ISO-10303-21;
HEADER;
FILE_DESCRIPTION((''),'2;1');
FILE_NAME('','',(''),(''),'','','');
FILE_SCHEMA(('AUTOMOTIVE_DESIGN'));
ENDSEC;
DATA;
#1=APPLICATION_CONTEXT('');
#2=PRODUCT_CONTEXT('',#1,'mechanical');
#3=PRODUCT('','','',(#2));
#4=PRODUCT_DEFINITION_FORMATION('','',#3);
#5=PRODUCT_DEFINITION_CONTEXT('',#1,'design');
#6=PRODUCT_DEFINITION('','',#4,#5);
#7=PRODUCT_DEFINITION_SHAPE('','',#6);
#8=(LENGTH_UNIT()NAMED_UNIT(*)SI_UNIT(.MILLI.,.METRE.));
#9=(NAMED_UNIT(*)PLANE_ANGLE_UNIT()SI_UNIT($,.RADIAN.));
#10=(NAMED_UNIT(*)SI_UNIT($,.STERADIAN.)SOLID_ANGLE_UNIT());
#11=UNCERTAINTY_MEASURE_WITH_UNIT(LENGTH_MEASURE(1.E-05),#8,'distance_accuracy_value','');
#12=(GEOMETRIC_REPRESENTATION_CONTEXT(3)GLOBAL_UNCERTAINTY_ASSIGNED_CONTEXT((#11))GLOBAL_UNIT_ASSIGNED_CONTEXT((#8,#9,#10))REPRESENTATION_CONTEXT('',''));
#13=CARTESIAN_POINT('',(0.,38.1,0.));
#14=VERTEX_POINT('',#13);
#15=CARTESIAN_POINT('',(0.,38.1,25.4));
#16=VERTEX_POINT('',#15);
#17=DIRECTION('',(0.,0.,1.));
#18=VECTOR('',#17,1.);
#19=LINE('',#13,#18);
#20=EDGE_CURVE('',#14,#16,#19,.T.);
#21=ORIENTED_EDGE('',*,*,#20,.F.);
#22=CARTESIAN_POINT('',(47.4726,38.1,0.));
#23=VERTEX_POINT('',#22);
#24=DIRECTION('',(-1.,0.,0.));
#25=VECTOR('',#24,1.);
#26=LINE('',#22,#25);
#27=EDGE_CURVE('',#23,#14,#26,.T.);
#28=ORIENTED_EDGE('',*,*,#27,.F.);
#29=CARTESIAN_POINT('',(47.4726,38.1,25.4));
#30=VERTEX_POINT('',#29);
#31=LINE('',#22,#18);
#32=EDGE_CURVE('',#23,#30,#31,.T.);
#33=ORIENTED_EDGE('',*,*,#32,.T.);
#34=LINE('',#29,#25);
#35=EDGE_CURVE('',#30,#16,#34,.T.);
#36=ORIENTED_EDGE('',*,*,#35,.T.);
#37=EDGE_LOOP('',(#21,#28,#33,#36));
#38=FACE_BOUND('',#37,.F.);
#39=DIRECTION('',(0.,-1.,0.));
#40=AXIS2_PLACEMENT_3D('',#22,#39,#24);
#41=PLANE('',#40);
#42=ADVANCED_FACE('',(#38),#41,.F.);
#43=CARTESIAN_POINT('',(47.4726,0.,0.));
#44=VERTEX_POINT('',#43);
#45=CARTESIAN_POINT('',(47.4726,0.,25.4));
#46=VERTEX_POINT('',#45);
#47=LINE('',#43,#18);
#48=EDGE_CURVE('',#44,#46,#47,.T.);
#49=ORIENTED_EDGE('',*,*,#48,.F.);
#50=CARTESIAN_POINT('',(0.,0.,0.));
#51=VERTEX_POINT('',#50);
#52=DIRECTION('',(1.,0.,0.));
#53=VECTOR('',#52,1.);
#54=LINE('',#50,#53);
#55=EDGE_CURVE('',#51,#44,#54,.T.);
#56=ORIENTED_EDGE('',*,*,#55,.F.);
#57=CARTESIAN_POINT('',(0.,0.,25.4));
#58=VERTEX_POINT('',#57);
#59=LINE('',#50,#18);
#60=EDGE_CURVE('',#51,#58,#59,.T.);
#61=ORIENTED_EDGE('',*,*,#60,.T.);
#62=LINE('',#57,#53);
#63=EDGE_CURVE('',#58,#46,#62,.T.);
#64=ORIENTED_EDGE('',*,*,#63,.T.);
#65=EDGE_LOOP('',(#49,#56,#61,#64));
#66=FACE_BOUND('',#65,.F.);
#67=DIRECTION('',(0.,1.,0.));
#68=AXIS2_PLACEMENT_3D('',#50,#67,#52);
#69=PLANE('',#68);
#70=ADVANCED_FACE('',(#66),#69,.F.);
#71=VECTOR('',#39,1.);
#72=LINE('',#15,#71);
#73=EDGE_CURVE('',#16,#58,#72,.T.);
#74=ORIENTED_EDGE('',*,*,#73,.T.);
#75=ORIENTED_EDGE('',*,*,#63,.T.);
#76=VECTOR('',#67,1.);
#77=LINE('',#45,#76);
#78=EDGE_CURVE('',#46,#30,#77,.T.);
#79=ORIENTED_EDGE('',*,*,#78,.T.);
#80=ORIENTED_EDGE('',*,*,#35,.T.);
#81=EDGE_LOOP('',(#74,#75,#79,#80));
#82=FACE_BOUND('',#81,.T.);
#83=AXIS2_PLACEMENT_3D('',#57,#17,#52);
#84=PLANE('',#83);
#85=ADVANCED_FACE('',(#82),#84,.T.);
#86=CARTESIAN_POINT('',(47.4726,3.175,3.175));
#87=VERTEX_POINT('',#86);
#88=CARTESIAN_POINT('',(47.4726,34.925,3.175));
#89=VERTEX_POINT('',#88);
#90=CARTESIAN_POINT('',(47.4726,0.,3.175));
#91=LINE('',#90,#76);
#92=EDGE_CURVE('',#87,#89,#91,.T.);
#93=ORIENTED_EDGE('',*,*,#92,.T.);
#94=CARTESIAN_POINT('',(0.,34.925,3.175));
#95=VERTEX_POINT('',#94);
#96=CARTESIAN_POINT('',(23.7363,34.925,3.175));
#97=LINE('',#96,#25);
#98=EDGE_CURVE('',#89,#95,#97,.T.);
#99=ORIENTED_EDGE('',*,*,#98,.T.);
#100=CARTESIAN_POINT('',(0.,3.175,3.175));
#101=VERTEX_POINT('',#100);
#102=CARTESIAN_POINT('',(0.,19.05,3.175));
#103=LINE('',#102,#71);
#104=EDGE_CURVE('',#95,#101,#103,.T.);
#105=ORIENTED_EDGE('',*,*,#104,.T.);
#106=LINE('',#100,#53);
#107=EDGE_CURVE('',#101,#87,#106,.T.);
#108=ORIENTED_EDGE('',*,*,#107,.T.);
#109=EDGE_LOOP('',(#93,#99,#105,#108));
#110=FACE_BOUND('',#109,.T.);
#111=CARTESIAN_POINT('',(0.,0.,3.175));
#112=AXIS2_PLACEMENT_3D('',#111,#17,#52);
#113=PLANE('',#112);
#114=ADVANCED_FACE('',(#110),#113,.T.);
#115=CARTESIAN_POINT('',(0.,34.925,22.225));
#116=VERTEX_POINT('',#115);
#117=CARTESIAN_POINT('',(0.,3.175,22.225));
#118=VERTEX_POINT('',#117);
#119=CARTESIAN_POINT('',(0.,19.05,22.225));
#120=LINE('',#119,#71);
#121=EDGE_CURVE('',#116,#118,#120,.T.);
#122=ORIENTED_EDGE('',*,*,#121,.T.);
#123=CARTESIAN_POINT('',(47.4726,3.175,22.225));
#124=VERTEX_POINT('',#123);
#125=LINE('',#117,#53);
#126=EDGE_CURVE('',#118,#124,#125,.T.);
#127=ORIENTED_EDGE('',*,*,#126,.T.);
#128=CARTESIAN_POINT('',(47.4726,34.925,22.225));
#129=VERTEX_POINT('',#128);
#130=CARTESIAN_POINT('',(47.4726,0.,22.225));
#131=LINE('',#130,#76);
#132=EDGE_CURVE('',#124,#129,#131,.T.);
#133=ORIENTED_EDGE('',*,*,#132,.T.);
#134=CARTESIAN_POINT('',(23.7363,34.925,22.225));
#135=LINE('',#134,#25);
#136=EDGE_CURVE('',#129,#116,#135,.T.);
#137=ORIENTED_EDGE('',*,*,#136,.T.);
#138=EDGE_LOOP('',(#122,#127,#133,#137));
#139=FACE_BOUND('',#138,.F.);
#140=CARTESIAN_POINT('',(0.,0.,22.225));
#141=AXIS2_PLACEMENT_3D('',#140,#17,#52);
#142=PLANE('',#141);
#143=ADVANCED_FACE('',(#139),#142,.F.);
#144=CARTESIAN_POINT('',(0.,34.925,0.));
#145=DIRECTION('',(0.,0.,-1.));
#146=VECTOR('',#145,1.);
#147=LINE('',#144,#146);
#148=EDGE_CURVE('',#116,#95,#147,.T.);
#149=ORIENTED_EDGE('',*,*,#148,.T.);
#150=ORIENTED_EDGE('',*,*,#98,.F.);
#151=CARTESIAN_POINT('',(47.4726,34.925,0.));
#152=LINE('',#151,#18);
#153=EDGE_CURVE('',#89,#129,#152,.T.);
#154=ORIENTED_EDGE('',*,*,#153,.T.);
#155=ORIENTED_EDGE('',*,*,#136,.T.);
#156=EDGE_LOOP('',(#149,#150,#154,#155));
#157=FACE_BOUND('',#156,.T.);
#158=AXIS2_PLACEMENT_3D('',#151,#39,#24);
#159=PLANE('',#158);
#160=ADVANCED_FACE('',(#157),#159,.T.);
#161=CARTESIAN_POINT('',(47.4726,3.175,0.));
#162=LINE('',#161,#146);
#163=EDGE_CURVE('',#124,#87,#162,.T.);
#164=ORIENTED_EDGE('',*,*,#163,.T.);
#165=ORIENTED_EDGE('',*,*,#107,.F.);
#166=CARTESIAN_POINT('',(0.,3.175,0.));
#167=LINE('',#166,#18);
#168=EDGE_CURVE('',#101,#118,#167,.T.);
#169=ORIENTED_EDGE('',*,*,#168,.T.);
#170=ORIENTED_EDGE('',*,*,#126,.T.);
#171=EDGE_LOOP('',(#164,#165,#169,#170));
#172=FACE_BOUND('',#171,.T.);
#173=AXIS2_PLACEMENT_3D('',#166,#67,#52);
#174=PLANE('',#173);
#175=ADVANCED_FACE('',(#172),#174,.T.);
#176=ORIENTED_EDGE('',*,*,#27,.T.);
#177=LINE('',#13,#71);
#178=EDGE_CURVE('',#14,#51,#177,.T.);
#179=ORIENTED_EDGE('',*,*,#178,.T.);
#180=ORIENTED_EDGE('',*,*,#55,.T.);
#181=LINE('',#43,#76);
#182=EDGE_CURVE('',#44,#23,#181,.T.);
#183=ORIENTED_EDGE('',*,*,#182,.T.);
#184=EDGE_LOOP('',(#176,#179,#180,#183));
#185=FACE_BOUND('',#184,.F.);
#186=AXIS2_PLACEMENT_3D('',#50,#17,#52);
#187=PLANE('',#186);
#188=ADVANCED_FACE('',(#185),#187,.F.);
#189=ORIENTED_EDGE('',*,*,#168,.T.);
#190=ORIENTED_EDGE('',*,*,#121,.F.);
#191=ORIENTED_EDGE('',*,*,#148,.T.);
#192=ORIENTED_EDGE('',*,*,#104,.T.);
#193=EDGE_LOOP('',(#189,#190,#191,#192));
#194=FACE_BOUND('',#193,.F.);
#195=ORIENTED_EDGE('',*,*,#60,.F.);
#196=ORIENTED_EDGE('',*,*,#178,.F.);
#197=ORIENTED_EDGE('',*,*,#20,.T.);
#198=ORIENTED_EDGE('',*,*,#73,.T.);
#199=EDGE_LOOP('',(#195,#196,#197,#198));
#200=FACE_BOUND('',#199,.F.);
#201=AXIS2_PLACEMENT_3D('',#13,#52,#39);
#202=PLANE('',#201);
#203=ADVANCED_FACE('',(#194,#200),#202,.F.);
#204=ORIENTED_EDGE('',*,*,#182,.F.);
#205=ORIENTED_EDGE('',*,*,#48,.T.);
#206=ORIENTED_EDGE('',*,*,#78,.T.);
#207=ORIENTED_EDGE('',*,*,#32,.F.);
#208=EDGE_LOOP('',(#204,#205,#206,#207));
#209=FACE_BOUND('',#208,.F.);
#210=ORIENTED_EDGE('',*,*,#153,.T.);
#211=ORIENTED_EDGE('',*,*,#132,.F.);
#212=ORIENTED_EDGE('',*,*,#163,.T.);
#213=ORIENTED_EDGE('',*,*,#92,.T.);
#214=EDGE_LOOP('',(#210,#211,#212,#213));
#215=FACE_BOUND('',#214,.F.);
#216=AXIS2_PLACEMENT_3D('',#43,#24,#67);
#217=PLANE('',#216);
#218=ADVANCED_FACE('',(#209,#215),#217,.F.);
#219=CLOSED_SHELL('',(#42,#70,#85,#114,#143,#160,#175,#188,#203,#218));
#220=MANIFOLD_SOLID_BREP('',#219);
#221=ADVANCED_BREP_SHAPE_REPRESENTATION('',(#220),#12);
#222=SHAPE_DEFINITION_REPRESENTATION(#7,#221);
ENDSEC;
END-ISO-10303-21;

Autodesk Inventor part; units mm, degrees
ref_plane "YZ Plane" through (0, 0, 0) normal (1, 0, 0) x (0, 1, 0)
ref_plane "XZ Plane" through (0, 0, 0) normal (0, 1, 0) x (-1, 0, 0)
ref_plane "XY Plane" through (0, 0, 0) normal (0, 0, 1) x (1, 0, 0)
sketch "Sketch1" plane through (0, 0, 0) normal (0, 0, 1) x (1, 0, 0)
  line L0 (0, 0) -> (47.4726, 0)
  line L1 (47.4726, 0) -> (47.4726, 38.1)
  line L2 (47.4726, 38.1) -> (0, 38.1)
  line L3 (0, 38.1) -> (0, 0)
  dimension "d0" = 47.4726
  dimension "d1" = 38.1
extrude "Extrusion1" add sketch "Sketch1" along normal blind 25.4
shell "Shell1" thickness 3.175 removed faces 2 at (0, 25.4, 8.4667) at (47.4726, 12.7, 8.4667)
properties part number "Kermit Frame 15"
